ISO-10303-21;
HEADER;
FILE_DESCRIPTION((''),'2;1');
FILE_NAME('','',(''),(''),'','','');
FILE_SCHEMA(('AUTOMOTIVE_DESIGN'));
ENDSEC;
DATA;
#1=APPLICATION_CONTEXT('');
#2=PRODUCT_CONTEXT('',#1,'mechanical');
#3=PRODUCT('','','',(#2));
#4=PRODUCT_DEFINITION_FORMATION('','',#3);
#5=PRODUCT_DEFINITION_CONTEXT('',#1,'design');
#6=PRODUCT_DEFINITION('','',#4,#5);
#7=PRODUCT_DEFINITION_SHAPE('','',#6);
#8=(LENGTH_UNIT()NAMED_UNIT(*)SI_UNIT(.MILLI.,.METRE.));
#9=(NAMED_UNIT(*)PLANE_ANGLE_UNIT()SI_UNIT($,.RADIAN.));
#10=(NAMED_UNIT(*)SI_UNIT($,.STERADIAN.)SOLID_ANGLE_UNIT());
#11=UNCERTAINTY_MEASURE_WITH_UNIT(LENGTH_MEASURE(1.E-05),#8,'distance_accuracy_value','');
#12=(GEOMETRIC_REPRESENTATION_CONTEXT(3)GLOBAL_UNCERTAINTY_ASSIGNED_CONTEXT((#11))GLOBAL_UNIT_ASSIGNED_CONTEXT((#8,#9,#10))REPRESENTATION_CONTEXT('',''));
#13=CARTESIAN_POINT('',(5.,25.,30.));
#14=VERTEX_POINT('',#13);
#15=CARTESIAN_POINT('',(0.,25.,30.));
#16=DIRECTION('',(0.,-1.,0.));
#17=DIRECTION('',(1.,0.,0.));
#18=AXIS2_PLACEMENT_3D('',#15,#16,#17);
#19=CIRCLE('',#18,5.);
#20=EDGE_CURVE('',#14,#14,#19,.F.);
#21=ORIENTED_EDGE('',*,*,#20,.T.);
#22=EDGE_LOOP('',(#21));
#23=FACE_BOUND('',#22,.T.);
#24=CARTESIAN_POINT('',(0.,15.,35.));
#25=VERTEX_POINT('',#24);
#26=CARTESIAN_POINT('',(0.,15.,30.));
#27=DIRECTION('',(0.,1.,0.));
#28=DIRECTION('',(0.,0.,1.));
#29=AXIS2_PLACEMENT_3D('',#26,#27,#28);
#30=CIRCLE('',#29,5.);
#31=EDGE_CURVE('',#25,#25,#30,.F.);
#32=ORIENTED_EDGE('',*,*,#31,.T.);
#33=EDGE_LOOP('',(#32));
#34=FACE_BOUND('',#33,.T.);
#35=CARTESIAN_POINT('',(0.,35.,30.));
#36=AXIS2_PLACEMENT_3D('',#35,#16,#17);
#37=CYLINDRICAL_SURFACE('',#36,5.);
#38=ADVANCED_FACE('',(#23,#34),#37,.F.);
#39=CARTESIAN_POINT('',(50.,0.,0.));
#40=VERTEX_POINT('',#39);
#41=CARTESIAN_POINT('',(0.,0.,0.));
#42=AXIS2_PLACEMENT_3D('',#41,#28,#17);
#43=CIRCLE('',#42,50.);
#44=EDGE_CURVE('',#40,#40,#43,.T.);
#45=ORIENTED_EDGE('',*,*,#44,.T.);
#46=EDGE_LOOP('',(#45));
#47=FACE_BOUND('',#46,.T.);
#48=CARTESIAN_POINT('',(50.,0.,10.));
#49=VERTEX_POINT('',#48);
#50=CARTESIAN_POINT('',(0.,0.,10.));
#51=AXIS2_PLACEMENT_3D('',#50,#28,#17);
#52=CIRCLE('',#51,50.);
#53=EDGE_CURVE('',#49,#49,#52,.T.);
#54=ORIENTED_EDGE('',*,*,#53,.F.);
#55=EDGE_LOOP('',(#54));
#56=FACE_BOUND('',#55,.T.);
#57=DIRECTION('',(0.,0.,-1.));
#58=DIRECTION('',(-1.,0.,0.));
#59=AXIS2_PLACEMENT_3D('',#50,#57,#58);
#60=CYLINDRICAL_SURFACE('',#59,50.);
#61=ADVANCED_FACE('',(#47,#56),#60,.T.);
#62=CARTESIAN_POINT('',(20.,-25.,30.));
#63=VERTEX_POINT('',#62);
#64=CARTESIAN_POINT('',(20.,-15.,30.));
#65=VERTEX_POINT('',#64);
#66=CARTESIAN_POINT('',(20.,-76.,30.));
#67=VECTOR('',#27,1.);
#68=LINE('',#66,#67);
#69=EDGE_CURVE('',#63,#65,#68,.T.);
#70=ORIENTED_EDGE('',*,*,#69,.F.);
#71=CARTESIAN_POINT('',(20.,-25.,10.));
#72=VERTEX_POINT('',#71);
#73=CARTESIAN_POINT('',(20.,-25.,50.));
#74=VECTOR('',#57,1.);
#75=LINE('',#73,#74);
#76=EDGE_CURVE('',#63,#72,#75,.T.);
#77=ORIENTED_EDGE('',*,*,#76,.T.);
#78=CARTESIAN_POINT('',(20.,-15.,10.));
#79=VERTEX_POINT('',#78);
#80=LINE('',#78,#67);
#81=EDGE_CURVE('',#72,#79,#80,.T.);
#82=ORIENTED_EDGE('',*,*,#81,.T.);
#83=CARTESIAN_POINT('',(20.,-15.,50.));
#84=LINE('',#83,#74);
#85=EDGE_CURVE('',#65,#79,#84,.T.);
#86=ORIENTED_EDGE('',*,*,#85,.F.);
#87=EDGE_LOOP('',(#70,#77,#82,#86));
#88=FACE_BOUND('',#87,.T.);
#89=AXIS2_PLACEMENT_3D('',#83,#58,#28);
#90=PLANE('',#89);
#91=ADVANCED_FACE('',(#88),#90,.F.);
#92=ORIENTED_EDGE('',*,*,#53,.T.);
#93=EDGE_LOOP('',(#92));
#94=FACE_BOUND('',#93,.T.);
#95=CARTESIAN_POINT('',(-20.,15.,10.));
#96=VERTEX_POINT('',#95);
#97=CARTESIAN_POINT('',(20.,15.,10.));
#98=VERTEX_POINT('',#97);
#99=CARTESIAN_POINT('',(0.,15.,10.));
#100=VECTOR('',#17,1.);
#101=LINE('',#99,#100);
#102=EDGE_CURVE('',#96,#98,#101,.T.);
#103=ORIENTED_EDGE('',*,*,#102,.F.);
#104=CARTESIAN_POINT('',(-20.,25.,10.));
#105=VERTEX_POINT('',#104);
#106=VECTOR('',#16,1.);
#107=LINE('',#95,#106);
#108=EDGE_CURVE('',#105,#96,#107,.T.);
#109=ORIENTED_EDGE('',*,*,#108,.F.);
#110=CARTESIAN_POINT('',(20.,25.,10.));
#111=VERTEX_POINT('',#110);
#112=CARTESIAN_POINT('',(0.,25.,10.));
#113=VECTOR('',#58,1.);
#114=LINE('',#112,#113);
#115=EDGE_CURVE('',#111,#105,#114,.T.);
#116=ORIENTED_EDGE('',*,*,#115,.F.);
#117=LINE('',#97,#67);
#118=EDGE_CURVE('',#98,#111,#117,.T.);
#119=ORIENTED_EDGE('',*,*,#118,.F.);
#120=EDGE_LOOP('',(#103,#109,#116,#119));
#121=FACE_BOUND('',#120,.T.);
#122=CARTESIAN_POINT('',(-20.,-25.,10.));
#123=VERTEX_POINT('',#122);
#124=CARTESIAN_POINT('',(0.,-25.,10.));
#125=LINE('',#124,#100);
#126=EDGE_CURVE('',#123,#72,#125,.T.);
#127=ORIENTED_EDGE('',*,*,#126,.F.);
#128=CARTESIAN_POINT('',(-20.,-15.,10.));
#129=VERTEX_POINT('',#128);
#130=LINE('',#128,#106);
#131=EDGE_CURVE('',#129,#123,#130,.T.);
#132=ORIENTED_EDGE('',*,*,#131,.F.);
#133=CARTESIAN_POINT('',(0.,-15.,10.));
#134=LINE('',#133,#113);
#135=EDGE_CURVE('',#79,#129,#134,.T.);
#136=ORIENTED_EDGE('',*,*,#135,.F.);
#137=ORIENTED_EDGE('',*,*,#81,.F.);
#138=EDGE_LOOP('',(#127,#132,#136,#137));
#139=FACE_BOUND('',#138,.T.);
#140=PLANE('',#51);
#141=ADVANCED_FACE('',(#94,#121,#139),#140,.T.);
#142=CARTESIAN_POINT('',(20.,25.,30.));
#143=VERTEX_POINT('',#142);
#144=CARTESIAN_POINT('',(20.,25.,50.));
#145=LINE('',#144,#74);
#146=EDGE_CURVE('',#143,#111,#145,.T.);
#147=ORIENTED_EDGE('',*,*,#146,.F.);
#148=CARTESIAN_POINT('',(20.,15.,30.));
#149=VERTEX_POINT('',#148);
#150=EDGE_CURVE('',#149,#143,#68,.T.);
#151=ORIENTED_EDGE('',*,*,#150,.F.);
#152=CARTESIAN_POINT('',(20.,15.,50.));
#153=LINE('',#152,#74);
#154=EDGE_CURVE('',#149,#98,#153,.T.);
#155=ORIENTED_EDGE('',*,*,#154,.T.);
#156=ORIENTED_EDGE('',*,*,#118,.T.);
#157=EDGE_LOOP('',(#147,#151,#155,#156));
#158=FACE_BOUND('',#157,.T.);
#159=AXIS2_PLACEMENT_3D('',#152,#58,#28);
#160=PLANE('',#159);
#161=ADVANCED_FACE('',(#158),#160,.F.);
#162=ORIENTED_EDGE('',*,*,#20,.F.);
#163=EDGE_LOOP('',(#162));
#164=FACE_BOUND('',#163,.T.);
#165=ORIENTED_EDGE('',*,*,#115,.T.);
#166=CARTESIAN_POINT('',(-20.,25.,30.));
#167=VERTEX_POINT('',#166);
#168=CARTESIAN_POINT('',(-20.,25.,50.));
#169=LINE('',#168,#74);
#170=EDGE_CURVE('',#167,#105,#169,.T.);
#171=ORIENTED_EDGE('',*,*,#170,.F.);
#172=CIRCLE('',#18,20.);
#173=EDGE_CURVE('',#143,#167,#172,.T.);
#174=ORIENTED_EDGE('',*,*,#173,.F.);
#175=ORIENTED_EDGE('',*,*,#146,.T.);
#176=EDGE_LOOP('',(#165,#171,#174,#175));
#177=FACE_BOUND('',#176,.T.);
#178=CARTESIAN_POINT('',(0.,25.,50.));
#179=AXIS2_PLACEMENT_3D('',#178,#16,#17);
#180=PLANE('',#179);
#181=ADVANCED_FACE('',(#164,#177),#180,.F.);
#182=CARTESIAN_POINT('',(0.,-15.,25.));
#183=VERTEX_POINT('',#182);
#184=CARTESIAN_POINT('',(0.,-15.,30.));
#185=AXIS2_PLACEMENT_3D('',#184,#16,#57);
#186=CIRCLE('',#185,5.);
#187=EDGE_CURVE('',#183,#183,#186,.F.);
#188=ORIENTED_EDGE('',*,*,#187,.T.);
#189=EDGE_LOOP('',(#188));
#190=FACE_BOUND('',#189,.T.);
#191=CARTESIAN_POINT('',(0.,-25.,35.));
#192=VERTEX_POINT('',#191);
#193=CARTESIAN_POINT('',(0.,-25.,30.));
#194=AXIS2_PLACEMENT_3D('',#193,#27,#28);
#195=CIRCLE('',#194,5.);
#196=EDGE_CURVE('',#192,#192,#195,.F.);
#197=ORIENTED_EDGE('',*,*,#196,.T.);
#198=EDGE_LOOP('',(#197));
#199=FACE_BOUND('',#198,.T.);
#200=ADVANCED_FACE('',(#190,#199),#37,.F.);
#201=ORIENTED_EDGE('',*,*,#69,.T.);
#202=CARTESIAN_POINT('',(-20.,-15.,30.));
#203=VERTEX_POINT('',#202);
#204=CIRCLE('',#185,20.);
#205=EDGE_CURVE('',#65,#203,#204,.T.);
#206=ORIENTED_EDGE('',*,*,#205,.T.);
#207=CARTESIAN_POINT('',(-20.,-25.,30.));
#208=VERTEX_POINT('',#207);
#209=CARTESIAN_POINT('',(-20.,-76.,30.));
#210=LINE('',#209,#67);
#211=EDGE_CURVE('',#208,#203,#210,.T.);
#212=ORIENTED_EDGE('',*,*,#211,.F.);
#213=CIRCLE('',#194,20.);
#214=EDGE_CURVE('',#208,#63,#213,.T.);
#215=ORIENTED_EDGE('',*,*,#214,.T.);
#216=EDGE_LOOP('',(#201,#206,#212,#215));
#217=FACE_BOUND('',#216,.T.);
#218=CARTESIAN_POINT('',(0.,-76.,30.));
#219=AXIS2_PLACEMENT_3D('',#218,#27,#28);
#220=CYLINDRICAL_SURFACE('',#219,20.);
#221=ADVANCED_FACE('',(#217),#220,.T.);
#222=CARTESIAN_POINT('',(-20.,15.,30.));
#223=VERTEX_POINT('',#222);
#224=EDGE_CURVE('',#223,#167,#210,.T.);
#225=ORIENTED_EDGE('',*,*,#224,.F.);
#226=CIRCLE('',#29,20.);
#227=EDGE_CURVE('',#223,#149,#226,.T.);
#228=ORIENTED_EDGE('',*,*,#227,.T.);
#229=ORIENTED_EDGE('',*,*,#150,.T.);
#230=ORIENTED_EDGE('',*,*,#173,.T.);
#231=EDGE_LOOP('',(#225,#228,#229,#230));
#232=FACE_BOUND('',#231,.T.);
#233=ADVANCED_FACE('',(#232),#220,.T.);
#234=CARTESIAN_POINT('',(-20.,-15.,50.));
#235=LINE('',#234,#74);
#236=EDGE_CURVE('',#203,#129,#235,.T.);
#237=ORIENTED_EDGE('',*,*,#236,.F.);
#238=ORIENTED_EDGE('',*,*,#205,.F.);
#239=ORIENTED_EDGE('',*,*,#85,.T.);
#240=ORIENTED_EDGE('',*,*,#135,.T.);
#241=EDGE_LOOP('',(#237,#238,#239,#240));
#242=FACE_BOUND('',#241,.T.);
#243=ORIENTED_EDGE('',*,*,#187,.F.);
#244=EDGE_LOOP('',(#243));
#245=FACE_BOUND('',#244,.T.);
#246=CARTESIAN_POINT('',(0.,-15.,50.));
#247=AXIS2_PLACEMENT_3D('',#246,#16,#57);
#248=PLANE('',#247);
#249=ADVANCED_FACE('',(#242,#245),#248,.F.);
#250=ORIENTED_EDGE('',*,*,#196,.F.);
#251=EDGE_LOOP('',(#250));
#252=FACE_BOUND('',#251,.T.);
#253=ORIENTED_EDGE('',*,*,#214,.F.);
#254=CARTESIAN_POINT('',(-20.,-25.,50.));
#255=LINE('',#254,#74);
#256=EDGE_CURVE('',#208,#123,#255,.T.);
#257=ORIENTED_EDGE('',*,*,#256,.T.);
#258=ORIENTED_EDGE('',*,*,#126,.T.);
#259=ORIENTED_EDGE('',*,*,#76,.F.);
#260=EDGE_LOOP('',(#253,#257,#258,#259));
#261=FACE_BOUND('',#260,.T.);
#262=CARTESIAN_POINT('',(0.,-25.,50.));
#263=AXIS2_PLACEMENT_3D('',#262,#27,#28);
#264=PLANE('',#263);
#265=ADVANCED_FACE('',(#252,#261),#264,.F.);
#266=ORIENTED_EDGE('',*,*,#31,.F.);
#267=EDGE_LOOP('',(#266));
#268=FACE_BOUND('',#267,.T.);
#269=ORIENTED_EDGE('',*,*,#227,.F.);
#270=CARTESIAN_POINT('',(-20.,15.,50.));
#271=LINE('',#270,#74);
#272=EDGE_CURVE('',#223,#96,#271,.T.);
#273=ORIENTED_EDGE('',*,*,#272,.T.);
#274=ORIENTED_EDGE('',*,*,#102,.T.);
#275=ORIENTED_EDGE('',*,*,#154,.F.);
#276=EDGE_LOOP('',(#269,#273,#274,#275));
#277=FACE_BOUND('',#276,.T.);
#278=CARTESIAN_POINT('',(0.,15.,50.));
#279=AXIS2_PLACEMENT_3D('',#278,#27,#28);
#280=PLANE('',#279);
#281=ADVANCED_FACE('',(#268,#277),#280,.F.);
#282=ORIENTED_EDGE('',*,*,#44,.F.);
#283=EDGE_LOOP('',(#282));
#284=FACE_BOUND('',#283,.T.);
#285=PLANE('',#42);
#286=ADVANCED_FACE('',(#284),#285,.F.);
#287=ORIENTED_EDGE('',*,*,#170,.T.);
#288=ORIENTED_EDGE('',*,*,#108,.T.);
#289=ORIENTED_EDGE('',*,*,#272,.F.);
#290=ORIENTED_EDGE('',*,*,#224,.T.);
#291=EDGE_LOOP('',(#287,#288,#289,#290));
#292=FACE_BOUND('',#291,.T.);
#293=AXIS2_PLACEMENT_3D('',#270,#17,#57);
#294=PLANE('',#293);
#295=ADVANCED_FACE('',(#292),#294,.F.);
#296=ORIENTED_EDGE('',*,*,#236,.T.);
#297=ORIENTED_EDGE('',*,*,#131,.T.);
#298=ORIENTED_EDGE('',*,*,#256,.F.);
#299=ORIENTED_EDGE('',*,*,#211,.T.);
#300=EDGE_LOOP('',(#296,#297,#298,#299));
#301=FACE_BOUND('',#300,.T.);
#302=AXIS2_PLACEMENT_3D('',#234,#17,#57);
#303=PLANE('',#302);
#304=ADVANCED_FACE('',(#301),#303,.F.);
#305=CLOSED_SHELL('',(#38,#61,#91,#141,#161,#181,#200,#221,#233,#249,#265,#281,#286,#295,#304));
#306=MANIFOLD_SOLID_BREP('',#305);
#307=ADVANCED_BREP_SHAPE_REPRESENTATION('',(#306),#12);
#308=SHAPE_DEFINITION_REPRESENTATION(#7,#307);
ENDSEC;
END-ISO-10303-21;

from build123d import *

# Parameters (mm, degrees)
SKETCH1_R               = 50
BOSS_EXTRUDE1_DEPTH     = 10
BOSS_EXTRUDE2_DEPTH     = 40
CUT_EXTRUDE1_DEPTH      = 10
CUT_EXTRUDE1_DEPTH_BACK = 51
SKETCH3_R               = 5
CUT_EXTRUDE3_DEPTH      = 51
CUT_EXTRUDE3_DEPTH_BACK = 51


with BuildPart() as part:
    # Sketch1 → Boss-Extrude1 (new body)
    with BuildSketch(Plane.XY):
        Circle(SKETCH1_R)
    extrude(amount=BOSS_EXTRUDE1_DEPTH)

    # Sketch2 → Boss-Extrude2 (add)
    with BuildSketch(Plane.XY.offset(10)):
        Polygon((0, 15), (20, 15), (20, 25), (0, 25), (-20, 25), (-20, 15), align=None)
        Polygon((0, -15), (20, -15), (20, -25), (0, -25), (-20, -25), (-20, -15), align=None)
    extrude(amount=BOSS_EXTRUDE2_DEPTH)

    # Sketch3 → Cut-Extrude1 (cut, two sides: drawn at the far end of the back side and taken through both)
    with BuildSketch(Plane(origin=(0, 25, 0), x_dir=(1, 0, 0), z_dir=(0, 1, 0)).offset(-CUT_EXTRUDE1_DEPTH_BACK)):
        with Locations((0, -30)):
            Circle(SKETCH3_R)
    extrude(amount=CUT_EXTRUDE1_DEPTH + CUT_EXTRUDE1_DEPTH_BACK, mode=Mode.SUBTRACT)

    # Sketch4 → Cut-Extrude3 (cut, two sides: drawn at the far end of the back side and taken through both)
    with BuildSketch(Plane.XZ.offset(25).offset(-CUT_EXTRUDE3_DEPTH_BACK)):
        with BuildLine():
            Line((-20, 30), (-47.366486711, 30))
            Line((-47.366486711, 30), (-38.964183934, 74.74544014))
            Line((-38.964183934, 74.74544014), (40.839267743, 70.572196031))
            Line((40.839267743, 70.572196031), (55.137019974, 30))
            Line((55.137019974, 30), (20, 30))
            ThreePointArc((20, 30), (0, 50), (-20, 30))
        make_face()
    extrude(amount=CUT_EXTRUDE3_DEPTH + CUT_EXTRUDE3_DEPTH_BACK, mode=Mode.SUBTRACT)


solid = part.part
